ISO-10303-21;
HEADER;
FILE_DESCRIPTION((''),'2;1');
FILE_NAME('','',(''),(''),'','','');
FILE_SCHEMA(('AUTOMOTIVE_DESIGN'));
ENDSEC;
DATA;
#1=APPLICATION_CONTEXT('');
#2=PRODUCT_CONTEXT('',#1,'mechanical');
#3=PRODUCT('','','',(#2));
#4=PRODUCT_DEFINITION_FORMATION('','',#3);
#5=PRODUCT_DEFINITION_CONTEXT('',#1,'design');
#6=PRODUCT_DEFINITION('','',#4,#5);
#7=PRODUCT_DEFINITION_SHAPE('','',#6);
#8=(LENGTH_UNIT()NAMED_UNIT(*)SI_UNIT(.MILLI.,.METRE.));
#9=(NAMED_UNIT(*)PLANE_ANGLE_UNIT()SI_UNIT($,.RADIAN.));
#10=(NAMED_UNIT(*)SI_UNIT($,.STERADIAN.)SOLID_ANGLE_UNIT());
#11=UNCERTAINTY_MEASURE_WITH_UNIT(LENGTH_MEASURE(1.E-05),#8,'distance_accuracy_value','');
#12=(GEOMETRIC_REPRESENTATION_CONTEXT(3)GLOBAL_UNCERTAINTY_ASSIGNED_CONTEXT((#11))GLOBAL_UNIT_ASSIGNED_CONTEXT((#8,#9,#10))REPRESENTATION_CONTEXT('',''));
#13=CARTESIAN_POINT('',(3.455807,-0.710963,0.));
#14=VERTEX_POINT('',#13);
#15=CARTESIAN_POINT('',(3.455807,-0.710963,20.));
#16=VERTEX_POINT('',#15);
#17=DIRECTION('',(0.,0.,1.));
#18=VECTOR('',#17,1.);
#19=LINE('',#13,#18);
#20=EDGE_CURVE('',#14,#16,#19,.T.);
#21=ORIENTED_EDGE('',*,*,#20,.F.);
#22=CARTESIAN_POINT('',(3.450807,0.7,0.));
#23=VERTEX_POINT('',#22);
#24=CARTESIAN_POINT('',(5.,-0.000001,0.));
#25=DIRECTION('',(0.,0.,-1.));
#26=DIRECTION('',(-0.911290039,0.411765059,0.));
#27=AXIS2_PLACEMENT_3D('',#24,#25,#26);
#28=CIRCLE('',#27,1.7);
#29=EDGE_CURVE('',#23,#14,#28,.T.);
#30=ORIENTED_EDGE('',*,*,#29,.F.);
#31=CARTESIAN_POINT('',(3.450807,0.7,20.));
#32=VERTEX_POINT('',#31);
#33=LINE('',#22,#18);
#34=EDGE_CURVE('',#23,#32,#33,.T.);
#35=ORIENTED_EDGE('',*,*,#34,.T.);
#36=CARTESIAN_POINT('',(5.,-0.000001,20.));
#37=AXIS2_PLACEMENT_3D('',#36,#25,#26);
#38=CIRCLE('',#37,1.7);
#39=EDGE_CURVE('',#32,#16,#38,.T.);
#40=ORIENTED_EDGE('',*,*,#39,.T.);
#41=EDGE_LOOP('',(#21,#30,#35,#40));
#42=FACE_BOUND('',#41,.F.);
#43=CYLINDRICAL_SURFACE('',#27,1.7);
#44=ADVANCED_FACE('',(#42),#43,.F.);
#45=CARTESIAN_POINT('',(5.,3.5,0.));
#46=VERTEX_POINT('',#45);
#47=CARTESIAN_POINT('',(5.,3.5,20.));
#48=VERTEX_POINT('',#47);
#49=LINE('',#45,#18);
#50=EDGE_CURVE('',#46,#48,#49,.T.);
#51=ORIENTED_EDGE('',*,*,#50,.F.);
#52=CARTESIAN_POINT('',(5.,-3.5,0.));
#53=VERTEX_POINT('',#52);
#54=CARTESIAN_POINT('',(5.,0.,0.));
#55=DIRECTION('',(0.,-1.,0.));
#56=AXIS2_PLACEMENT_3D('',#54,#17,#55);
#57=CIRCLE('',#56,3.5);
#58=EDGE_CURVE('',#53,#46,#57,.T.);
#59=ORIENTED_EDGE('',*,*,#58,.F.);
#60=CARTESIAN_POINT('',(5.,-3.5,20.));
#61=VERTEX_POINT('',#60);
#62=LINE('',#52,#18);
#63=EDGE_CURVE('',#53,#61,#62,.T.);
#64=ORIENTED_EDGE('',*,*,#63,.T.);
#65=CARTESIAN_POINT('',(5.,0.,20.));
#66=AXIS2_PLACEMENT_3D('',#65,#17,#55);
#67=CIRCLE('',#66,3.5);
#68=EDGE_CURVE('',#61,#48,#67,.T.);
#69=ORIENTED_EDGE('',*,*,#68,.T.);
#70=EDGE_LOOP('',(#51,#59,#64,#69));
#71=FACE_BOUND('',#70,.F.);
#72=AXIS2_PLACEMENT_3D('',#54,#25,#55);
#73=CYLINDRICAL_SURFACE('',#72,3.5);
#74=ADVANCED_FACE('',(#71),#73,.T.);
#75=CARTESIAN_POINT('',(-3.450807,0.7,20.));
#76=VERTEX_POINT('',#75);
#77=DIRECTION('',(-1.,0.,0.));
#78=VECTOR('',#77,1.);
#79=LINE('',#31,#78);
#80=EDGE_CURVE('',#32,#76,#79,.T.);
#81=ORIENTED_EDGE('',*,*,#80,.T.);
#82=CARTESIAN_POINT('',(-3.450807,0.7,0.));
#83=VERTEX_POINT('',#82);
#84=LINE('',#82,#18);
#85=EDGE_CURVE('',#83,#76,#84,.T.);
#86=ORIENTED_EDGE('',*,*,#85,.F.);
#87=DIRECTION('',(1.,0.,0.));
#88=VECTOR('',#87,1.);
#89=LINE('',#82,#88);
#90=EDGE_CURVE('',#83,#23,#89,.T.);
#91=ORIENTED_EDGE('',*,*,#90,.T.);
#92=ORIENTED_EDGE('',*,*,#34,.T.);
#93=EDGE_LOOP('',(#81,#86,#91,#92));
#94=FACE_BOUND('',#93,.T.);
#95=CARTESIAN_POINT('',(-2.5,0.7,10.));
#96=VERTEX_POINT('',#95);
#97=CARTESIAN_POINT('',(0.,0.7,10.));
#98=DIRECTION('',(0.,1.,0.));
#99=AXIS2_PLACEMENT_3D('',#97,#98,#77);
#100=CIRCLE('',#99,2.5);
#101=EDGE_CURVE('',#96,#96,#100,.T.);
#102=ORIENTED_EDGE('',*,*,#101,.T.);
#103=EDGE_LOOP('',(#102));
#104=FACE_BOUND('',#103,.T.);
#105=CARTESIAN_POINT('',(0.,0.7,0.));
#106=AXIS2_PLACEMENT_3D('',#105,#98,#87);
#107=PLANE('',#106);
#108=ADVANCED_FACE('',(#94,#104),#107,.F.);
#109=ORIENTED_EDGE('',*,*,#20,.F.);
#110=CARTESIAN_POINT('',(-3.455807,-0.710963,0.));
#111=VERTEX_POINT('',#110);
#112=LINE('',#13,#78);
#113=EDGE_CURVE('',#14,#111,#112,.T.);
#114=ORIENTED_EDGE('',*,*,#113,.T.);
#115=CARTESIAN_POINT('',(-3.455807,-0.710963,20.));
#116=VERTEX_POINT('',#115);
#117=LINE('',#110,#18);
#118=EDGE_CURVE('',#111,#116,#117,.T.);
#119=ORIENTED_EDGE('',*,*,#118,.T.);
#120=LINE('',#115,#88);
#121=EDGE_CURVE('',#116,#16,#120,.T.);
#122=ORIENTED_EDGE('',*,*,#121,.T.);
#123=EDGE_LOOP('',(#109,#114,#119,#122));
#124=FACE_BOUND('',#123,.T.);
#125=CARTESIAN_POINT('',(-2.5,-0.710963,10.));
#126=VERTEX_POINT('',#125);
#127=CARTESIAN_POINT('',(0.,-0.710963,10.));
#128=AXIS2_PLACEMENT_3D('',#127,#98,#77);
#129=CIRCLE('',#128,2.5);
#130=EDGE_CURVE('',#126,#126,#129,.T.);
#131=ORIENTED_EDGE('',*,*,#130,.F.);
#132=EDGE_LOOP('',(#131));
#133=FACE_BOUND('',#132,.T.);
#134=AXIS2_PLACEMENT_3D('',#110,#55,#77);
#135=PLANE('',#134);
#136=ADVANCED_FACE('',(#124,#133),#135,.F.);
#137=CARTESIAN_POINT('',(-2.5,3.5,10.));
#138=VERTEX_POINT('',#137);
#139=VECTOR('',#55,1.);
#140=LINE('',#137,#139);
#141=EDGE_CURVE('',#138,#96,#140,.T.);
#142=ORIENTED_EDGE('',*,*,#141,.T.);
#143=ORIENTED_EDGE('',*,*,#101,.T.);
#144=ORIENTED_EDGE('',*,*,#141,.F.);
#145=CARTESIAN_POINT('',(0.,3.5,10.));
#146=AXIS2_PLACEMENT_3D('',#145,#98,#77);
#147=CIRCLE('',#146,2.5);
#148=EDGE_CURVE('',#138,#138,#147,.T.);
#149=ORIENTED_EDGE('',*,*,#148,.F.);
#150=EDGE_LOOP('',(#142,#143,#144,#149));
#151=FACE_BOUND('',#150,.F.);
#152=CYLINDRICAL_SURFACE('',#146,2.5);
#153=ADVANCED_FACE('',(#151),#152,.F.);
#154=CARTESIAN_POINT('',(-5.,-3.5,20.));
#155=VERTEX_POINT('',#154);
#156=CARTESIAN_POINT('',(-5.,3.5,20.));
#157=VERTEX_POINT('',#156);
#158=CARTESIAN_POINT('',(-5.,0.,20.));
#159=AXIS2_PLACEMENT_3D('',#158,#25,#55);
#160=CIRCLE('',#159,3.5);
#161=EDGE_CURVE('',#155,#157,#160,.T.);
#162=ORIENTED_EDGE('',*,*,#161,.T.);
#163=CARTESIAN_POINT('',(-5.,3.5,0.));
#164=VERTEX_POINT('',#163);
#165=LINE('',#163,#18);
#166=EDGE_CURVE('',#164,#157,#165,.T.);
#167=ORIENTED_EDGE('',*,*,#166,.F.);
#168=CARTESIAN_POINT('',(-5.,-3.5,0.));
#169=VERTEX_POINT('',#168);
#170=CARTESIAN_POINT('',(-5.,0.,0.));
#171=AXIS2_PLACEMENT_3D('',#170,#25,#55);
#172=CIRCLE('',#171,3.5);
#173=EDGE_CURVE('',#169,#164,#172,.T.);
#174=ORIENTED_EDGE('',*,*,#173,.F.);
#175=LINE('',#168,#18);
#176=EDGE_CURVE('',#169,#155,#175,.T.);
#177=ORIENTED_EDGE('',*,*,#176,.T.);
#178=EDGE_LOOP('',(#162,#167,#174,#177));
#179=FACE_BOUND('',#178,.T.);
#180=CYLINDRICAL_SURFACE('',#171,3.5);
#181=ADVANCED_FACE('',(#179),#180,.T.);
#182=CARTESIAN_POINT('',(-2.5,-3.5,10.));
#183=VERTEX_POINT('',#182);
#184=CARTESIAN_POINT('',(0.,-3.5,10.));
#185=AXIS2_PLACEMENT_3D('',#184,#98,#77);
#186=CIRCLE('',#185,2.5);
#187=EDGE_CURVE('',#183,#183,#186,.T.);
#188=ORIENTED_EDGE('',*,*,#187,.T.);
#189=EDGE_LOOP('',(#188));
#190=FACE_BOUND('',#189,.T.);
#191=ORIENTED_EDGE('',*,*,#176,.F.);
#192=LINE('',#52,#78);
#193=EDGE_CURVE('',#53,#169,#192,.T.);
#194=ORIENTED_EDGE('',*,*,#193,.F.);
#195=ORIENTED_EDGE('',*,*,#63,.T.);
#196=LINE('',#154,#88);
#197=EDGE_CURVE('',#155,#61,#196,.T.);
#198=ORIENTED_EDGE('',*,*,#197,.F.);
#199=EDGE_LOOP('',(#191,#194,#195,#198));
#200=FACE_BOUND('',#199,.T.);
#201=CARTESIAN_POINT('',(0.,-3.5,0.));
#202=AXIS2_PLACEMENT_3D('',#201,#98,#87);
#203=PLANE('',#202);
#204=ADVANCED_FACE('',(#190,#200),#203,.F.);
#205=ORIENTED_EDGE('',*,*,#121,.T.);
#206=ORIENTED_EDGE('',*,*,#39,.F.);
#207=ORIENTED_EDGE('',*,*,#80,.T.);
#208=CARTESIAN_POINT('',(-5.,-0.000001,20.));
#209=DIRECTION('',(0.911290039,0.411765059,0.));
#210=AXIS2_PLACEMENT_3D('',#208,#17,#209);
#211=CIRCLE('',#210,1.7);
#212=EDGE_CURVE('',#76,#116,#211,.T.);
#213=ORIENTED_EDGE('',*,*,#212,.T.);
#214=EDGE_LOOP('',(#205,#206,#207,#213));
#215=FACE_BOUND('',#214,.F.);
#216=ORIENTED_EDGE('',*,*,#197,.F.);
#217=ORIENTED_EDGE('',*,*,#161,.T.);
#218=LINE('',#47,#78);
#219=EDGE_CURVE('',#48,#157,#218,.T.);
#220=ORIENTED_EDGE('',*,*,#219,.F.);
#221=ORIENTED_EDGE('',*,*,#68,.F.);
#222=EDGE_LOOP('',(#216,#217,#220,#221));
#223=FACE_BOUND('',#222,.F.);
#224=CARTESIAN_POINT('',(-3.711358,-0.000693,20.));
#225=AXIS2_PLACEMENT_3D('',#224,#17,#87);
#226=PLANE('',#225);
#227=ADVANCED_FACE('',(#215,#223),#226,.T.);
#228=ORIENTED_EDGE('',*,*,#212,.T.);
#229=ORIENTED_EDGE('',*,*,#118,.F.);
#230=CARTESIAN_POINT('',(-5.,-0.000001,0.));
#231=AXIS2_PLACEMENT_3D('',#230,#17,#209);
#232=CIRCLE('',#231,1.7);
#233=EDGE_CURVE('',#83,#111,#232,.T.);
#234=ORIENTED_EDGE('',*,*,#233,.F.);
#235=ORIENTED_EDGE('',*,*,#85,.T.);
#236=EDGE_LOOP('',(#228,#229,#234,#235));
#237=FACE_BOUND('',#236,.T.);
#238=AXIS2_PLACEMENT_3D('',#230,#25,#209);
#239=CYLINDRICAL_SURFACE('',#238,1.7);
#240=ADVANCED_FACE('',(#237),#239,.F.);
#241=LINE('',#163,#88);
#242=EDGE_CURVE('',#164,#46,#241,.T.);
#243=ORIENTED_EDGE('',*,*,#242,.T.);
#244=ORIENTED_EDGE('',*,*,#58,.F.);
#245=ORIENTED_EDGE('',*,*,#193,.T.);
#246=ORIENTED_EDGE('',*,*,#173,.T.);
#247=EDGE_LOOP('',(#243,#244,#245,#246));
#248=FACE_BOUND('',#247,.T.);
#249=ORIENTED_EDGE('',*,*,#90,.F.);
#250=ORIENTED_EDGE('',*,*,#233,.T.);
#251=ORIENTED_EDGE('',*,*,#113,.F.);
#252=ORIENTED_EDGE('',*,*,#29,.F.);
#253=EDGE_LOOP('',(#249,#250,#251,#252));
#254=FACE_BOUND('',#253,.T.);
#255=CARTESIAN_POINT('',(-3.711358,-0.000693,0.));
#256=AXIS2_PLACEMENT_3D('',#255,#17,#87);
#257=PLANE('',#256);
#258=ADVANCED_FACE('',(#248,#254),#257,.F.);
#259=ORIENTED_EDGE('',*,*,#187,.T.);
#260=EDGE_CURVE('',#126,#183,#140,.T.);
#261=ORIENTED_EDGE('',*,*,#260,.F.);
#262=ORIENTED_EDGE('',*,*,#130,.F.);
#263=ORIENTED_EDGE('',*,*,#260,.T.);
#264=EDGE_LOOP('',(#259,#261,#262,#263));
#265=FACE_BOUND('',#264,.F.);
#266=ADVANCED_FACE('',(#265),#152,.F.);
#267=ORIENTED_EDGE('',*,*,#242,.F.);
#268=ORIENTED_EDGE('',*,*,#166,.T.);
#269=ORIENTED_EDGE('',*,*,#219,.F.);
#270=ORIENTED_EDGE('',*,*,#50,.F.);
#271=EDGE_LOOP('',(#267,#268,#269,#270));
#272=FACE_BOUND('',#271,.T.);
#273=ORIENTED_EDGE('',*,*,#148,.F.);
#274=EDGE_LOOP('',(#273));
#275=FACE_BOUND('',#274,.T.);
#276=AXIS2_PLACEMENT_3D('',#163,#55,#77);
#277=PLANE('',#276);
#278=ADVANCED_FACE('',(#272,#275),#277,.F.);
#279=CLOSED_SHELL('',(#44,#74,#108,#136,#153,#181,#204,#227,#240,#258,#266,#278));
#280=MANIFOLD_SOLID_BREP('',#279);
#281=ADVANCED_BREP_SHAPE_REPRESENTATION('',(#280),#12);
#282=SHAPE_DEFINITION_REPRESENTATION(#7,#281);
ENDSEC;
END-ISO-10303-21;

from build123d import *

# Parameters (mm, degrees)
F1_DEPTH = 20
F3_R     = 2.5
F4_DEPTH = 7.001


with BuildPart() as f1:
    # F0 (on Top) → F1 (new body)
    with BuildSketch(Plane.XY):
        with BuildLine():
            ThreePointArc((3.450807, 0.7), (6.699989, 0.006025), (3.455807, -0.710963))
            Line((3.455807, -0.710963), (0, -0.710963))
            Line((0, -0.710963), (0, -3.5))
            Line((0, -3.5), (5, -3.5))
            ThreePointArc((5, -3.5), (8.5, 0), (5, 3.5))
            Line((5, 3.5), (0, 3.5))
            Line((0, 3.5), (0, 0.7))
            Line((0, 0.7), (3.450807, 0.7))
        make_face()
    extrude(amount=F1_DEPTH)

    # F2: F1 across plane


with BuildPart() as f1_1:
    add(f1.part)
    add(f1.part.mirror(Plane.YZ))

    # F3 (on face) → F4 (cut, through all)
    with BuildSketch(Plane(origin=(0, 3.5, 0), x_dir=(-1, 0, 0), z_dir=(0, 1, 0))):
        with Locations((0, 10)):
            Circle(F3_R)
    extrude(amount=-F4_DEPTH, mode=Mode.SUBTRACT)


solid = f1_1.part
